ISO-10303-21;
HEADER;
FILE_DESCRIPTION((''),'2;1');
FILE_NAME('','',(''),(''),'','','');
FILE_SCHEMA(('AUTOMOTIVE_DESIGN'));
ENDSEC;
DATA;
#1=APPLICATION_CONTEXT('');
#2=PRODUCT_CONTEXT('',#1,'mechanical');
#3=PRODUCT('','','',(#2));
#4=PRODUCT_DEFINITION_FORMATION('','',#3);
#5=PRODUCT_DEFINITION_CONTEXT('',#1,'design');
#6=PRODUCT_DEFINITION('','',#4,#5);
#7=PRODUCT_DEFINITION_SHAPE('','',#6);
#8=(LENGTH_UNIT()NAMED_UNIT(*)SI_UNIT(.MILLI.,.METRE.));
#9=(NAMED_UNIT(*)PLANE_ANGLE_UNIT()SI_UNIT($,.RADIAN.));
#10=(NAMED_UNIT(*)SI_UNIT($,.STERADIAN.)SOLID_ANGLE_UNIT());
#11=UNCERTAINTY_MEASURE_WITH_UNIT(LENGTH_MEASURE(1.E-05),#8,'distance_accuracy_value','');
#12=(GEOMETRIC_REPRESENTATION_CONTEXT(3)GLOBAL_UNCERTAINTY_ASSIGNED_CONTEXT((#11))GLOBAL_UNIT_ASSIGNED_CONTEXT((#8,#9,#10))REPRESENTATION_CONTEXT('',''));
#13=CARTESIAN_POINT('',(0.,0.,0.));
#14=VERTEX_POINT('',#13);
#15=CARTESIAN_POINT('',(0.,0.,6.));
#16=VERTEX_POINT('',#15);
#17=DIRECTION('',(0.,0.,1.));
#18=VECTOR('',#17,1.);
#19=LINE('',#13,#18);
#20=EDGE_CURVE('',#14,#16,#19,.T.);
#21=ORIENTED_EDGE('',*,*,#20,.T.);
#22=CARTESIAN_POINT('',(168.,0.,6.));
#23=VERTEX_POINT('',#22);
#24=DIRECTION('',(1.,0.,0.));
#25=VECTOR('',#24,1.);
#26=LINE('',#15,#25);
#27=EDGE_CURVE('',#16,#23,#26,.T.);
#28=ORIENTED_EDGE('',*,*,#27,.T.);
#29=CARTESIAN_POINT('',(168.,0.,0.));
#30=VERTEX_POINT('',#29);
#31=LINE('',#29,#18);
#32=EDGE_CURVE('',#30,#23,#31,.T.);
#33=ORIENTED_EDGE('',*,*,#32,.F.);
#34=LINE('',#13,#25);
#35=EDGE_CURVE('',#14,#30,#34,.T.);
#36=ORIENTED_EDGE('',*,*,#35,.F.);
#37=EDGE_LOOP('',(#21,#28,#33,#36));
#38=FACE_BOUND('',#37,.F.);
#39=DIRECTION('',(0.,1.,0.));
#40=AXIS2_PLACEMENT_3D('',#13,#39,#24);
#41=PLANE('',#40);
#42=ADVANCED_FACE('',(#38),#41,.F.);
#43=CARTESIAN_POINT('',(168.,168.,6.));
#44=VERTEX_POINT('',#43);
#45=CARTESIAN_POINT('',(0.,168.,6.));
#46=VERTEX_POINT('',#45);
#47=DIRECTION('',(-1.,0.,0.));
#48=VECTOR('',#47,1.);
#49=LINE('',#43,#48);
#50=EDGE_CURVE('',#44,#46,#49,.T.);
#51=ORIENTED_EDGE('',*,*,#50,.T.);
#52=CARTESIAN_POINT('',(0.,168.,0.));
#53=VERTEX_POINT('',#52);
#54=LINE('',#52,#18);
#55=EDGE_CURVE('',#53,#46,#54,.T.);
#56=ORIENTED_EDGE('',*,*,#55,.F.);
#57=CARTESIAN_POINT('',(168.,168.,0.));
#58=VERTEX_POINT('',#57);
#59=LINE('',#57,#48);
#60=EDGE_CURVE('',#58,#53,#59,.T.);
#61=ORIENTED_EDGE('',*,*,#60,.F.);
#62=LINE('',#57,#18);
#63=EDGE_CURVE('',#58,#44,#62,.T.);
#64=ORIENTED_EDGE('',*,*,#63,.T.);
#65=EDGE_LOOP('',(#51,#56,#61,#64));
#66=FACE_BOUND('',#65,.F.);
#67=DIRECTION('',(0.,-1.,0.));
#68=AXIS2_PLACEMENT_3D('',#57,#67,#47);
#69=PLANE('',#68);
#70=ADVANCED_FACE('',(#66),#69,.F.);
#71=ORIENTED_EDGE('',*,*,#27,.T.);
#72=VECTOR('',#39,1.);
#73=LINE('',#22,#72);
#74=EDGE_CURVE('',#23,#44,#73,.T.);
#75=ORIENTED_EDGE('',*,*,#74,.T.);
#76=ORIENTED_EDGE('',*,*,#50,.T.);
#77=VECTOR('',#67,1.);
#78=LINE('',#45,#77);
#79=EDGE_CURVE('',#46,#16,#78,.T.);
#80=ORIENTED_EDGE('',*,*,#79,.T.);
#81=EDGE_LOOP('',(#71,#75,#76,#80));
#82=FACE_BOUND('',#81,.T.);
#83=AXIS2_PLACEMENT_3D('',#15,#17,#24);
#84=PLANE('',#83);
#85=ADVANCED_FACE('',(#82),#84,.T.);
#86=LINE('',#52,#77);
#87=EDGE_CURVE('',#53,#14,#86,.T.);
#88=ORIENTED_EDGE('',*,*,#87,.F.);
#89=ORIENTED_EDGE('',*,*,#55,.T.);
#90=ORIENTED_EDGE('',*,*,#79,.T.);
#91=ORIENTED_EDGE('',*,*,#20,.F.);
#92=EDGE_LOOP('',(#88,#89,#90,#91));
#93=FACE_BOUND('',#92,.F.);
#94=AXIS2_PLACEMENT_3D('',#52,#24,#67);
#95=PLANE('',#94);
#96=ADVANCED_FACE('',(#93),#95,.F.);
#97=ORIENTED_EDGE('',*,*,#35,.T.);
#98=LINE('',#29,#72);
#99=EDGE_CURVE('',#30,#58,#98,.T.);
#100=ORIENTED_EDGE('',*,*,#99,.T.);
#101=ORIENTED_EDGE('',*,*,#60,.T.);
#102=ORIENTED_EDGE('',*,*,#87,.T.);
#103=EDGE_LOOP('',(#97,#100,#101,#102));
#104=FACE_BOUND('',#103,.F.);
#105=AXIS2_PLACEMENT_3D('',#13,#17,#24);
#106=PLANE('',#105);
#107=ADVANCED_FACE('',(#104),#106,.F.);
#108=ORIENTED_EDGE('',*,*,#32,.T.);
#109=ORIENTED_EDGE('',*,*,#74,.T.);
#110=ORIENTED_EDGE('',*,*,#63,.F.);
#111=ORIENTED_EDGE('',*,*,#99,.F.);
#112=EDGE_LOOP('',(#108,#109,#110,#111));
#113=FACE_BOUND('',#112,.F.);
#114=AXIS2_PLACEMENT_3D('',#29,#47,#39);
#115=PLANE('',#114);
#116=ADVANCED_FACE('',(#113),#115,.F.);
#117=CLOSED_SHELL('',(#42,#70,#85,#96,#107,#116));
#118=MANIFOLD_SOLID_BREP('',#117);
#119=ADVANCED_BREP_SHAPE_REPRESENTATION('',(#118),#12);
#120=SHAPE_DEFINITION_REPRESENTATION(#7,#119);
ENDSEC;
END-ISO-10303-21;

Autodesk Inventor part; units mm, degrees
ref_plane "YZ Plane" through (0, 0, 0) normal (1, 0, 0) x (0, 1, 0)
ref_plane "XZ Plane" through (0, 0, 0) normal (0, 1, 0) x (-1, 0, 0)
ref_plane "XY Plane" through (0, 0, 0) normal (0, 0, 1) x (1, 0, 0)
sketch "Szkic1" plane through (0, 0, 0) normal (0, 0, 1) x (1, 0, 0)
  line L0 (0, 0) -> (168, 0)
  line L1 (168, 0) -> (168, 168)
  line L2 (168, 168) -> (0, 168)
  line L3 (0, 168) -> (0, 0)
  dimension "d0" = 168
  dimension "d1" = 168
extrude "Wyciągnięcie proste1" add sketch "Szkic1" along normal blind 6
properties part number "Sciana_168x168"
